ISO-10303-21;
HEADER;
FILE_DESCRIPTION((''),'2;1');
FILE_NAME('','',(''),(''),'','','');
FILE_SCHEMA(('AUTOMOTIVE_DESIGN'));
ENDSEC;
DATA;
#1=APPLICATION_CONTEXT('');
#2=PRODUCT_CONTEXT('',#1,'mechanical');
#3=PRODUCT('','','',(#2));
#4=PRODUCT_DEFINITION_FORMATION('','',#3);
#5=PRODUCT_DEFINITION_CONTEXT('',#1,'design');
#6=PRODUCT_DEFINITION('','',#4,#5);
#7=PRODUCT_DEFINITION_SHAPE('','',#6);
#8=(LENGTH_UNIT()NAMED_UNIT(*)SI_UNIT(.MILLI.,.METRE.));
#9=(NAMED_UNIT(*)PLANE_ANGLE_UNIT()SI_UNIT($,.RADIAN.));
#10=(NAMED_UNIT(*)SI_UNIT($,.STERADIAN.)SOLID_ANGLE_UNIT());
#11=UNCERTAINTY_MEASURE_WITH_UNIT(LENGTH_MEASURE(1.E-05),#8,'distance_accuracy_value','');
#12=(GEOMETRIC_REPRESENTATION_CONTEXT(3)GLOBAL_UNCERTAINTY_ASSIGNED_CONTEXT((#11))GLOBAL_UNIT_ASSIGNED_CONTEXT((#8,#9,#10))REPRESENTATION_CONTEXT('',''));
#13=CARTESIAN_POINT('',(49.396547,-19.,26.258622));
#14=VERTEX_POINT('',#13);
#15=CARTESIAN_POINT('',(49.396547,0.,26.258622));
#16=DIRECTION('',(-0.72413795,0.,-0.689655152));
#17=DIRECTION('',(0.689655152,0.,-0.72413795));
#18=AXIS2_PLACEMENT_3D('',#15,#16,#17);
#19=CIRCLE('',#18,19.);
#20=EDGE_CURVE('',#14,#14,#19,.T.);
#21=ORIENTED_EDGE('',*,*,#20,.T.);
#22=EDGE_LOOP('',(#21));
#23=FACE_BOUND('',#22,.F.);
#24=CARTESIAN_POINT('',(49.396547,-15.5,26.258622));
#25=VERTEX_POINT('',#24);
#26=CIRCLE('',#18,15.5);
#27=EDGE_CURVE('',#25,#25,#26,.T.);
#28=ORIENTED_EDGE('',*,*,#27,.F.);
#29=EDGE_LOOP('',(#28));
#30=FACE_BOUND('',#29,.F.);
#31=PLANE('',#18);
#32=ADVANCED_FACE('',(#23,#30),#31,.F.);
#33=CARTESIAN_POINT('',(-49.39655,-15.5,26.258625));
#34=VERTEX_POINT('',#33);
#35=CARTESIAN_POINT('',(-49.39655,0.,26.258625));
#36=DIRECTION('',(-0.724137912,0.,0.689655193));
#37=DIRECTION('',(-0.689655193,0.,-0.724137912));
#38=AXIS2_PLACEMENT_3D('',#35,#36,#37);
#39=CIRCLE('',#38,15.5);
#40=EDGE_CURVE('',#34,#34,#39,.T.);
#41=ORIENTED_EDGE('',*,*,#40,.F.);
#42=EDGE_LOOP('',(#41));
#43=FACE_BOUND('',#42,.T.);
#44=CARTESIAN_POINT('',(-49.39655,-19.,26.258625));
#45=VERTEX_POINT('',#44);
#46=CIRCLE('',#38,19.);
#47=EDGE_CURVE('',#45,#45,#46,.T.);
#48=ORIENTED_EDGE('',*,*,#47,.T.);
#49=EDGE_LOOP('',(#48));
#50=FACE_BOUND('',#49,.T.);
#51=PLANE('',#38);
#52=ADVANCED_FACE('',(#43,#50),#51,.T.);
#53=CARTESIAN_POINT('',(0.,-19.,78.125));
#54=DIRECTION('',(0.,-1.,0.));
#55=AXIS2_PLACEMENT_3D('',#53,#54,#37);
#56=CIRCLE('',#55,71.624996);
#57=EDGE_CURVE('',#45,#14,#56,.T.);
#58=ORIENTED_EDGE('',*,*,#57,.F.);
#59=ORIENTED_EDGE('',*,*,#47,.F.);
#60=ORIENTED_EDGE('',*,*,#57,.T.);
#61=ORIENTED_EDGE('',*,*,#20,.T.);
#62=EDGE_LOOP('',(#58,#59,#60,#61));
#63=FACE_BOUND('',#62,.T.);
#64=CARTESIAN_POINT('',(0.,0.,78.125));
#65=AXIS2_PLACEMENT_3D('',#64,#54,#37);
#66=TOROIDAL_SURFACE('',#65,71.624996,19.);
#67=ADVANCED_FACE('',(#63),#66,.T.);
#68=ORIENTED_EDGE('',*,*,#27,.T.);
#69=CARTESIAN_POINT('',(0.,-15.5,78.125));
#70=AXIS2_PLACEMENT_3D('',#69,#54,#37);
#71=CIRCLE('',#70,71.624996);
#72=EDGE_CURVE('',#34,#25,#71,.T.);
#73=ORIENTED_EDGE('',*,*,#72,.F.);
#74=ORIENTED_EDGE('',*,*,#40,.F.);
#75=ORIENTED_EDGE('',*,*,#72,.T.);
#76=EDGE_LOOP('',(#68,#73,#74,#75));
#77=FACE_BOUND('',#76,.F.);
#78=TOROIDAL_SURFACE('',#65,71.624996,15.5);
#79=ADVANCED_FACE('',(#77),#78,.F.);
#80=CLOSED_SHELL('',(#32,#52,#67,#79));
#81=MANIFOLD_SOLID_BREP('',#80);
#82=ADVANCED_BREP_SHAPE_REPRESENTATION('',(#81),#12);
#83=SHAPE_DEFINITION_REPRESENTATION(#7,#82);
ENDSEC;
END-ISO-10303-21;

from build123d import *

# Parameters (mm, degrees)
F3_R   = 19
F3_R_2 = 15.5


with BuildPart() as f4:
    # F4: sweep along a path in F0
    with BuildLine(Plane.XZ) as f4_path:
        ThreePointArc((-62.5, 12.5), (0, -12.5), (62.5, 12.5))
    # F3 (on face) → F4 (sweep)
    with BuildSketch(Plane(origin=(-39.016052, 0, 37.158145), x_dir=(0, -1, 0), z_dir=(-0.724138, 0, 0.689655))):
        with Locations((0, -15.05172)):
            Circle(F3_R)
        with Locations((0, -15.05172)):
            Circle(F3_R_2, mode=Mode.SUBTRACT)
    sweep(path=f4_path.line)


solid = f4.part
